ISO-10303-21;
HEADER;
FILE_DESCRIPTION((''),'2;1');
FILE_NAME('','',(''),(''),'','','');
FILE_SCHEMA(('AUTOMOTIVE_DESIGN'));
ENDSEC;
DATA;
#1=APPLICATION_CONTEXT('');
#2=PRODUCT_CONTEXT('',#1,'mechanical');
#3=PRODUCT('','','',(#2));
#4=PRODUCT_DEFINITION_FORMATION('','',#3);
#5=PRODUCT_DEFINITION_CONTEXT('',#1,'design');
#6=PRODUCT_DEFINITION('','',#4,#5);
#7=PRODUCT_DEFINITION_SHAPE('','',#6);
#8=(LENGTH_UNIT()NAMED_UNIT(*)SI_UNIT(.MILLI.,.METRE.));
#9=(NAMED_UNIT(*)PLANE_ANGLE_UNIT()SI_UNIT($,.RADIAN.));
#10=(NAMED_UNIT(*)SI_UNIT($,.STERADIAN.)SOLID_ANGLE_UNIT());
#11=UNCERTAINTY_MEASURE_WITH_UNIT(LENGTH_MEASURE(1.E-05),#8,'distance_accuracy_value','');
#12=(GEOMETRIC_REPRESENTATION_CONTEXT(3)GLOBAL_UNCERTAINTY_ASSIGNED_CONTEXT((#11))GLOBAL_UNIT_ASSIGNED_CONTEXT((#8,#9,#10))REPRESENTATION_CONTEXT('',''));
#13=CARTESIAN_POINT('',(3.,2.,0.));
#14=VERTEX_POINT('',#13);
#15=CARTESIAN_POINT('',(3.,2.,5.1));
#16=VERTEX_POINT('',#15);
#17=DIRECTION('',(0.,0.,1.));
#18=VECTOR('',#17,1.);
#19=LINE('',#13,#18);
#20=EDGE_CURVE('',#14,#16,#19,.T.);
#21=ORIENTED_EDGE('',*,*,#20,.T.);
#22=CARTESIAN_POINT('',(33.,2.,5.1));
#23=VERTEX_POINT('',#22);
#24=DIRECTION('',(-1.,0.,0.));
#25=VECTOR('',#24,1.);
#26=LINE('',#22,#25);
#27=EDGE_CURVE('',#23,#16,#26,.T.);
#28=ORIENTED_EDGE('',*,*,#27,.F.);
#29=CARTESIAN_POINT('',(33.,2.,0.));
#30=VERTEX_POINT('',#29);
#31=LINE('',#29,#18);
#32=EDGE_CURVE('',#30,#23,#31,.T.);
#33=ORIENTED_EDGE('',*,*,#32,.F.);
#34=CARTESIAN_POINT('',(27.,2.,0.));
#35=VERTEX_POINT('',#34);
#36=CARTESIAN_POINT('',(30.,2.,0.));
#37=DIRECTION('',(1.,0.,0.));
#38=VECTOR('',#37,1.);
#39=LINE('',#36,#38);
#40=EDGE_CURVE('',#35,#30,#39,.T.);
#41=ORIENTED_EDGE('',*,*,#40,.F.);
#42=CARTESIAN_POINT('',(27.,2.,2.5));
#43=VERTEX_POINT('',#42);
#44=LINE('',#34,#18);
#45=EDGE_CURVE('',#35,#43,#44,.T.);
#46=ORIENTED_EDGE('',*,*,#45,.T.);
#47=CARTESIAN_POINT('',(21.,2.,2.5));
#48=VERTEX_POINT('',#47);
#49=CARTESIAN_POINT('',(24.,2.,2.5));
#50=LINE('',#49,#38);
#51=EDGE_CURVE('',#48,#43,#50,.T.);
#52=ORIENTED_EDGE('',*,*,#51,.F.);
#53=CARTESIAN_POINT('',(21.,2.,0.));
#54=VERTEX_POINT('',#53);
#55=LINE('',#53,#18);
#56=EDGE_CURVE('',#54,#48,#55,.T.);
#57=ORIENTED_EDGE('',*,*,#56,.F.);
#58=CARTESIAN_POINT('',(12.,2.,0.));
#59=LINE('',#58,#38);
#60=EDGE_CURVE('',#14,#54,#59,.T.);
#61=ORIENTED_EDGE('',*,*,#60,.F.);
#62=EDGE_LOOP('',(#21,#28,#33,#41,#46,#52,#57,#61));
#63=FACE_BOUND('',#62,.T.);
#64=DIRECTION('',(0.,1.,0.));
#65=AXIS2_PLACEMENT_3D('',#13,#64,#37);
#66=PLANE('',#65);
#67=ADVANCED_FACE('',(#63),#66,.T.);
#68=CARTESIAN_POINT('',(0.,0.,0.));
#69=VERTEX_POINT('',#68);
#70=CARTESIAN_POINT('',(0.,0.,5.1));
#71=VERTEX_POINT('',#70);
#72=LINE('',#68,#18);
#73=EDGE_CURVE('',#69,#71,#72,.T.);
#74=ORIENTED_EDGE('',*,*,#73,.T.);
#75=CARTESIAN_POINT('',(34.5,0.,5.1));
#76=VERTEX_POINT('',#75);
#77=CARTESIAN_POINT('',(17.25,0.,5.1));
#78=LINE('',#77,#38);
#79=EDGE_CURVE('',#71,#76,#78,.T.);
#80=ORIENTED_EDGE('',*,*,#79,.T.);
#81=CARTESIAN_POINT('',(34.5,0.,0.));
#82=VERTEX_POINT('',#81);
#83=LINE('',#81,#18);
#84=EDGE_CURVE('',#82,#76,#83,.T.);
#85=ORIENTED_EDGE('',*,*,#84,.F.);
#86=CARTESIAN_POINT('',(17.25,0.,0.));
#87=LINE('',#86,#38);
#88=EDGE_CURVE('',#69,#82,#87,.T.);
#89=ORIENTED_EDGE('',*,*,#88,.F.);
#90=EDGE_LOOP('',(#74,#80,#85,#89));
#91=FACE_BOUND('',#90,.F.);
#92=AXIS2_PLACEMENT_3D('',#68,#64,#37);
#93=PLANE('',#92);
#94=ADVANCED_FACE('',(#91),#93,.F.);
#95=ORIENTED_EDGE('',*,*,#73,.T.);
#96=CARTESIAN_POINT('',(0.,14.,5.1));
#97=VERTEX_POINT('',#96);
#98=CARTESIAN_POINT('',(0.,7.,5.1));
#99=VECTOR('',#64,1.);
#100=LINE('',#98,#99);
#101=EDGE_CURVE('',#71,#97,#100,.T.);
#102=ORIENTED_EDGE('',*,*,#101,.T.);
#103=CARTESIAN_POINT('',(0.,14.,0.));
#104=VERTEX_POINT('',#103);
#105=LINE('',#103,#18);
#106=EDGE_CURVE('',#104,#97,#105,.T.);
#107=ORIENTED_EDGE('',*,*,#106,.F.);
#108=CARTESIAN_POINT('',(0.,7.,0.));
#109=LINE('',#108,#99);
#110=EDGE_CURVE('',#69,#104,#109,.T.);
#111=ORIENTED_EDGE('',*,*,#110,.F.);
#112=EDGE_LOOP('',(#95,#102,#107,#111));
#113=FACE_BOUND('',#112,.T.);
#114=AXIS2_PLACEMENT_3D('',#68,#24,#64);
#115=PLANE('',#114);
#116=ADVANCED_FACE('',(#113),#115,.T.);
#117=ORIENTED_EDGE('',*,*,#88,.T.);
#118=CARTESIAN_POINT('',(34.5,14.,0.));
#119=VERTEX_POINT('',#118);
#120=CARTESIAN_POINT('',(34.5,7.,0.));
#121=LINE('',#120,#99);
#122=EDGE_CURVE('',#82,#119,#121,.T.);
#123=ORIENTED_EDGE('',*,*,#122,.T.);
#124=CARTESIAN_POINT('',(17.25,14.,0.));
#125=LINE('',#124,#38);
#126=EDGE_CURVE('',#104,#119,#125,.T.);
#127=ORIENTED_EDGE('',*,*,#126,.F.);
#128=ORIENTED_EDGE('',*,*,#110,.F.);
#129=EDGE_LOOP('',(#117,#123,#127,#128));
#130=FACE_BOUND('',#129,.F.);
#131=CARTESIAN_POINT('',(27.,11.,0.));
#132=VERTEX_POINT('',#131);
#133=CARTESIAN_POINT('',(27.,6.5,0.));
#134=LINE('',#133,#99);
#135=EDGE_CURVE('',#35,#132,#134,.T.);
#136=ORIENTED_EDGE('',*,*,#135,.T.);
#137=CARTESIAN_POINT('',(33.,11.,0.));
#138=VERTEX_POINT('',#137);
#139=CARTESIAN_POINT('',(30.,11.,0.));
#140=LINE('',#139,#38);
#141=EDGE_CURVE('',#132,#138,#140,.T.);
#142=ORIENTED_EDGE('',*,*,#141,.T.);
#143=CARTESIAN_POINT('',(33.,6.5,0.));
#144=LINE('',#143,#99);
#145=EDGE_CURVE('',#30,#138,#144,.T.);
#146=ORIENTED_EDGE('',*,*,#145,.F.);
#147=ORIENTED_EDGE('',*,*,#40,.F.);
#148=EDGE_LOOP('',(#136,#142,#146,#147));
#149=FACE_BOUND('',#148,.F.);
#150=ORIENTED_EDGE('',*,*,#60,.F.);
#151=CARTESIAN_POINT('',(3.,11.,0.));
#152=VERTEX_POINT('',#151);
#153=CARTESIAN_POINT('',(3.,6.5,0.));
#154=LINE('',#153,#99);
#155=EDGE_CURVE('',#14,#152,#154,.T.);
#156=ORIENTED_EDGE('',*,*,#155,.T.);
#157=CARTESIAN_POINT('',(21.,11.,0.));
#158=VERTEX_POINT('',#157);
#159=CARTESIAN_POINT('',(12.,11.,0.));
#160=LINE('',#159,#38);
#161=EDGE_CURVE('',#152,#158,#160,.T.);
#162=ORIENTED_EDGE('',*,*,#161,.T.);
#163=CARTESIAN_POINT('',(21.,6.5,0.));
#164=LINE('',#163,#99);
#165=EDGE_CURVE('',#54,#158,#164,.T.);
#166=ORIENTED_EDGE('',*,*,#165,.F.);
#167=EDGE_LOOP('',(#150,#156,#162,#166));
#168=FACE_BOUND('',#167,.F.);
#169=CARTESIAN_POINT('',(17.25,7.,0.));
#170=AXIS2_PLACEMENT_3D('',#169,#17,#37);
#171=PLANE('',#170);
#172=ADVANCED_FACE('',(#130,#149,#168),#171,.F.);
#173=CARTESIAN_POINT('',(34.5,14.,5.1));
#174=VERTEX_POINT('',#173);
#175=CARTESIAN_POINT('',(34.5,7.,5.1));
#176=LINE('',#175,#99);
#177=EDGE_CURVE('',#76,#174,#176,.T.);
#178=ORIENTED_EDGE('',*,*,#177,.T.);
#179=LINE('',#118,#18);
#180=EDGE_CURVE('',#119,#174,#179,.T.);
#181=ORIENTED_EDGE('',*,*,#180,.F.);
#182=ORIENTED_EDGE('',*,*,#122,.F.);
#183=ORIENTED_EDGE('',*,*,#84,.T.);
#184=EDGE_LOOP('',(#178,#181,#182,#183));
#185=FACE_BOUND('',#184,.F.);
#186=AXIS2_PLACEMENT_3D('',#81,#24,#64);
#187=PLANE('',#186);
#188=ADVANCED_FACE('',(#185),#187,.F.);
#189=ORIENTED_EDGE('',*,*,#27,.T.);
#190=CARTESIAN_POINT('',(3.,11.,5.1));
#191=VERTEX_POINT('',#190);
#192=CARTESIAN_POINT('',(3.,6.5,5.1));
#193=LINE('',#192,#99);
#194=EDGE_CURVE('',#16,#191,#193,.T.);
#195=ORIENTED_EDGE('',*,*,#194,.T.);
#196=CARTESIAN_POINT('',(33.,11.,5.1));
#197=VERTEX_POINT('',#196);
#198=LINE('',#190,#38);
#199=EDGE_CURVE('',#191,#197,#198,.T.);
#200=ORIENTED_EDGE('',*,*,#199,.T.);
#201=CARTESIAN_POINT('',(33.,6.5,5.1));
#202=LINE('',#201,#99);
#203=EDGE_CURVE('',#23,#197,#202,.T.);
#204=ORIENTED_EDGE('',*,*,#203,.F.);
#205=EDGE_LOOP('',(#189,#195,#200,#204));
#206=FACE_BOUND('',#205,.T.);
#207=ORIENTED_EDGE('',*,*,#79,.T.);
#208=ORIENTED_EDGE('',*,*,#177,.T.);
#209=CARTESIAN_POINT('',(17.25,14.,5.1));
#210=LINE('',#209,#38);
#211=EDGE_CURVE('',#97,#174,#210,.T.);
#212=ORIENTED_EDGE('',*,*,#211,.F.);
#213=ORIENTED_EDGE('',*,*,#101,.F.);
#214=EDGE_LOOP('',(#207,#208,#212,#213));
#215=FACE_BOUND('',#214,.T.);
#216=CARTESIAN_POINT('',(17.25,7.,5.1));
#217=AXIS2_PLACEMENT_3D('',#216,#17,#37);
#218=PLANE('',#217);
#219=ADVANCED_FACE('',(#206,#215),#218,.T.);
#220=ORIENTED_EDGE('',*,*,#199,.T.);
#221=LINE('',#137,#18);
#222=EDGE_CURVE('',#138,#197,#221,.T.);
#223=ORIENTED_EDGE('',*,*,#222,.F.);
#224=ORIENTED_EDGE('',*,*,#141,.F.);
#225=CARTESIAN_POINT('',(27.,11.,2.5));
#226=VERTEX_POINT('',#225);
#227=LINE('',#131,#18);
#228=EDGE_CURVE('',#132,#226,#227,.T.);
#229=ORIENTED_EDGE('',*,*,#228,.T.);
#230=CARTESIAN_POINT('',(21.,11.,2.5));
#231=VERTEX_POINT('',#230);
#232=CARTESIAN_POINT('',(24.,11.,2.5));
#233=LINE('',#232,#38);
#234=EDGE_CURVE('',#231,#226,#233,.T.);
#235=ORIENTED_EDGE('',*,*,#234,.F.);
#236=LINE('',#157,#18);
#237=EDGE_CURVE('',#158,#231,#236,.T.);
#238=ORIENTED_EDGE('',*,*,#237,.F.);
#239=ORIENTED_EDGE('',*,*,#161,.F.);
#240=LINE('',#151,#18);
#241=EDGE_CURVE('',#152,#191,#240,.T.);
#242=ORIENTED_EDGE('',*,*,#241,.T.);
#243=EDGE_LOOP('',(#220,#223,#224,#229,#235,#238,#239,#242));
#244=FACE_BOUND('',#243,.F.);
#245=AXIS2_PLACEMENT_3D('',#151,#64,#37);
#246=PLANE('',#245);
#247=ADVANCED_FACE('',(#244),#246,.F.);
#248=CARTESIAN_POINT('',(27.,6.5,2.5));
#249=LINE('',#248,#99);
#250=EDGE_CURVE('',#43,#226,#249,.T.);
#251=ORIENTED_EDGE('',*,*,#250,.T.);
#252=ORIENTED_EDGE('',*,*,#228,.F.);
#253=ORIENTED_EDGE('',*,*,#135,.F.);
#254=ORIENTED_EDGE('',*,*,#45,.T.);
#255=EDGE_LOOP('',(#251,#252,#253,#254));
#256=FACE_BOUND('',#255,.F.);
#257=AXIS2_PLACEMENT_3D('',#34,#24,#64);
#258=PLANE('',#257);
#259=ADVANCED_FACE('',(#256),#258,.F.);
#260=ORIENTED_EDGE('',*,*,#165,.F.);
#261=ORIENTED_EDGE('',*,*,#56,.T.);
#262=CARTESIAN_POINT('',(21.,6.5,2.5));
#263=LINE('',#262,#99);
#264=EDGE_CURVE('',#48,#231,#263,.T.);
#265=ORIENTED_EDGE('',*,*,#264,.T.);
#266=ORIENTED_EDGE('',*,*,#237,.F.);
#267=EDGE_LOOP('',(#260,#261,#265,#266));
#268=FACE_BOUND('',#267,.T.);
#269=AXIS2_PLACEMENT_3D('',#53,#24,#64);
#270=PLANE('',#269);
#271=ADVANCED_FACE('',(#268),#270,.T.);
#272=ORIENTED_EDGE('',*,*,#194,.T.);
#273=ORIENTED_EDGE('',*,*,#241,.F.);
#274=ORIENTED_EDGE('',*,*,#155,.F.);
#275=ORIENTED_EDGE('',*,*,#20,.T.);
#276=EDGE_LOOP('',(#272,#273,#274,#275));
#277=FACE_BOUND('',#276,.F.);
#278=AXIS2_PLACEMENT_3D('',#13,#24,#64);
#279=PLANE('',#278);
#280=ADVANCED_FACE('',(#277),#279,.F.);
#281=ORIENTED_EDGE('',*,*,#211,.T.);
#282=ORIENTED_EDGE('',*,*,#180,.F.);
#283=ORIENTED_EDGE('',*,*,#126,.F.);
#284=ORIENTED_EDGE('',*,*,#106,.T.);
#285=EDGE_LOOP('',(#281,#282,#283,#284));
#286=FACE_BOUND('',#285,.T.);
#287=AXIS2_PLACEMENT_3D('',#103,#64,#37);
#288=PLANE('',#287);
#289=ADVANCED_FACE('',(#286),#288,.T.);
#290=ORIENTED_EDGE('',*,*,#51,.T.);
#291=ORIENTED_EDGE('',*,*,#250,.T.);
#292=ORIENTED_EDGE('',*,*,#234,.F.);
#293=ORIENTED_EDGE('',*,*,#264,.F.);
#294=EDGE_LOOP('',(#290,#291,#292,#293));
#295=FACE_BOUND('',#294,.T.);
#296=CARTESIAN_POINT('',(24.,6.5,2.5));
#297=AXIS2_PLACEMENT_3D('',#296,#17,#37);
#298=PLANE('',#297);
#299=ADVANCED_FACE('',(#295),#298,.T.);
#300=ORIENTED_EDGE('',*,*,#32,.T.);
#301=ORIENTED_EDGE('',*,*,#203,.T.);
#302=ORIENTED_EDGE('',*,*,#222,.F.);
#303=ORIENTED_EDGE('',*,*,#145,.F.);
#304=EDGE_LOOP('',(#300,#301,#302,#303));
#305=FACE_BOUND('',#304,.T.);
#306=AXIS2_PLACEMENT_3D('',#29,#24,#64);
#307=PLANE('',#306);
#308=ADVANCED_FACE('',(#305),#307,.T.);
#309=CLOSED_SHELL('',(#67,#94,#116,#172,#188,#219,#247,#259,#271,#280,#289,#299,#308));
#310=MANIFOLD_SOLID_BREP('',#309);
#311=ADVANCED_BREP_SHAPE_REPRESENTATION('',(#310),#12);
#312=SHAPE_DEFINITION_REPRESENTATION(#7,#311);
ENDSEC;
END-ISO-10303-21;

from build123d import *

# Parameters (mm, degrees)
F0_W     = 34.5
F0_H     = 14
F0_W_2   = 18
F0_H_2   = 9
F0_W_3   = 6
F1_DEPTH = 5.1
F2_W     = 6
F2_H     = 9
F3_DEPTH = 2.6


with BuildPart() as f1:
    # F0 (on Top) → F1 (new body)
    with BuildSketch(Plane.XY):
        with Locations((17.25, 7)):
            Rectangle(F0_W, F0_H)
        with Locations((12, 6.5)):
            Rectangle(F0_W_2, F0_H_2, mode=Mode.SUBTRACT)
        with Locations((30, 6.5)):
            Rectangle(F0_W_3, F0_H_2, mode=Mode.SUBTRACT)
    extrude(amount=F1_DEPTH)

    # F2 (on face) → F3 (cut)
    with BuildSketch(Plane.XY.offset(5.1)):
        with Locations((24, 6.5)):
            Rectangle(F2_W, F2_H)
    extrude(amount=-F3_DEPTH, mode=Mode.SUBTRACT)


solid = f1.part
